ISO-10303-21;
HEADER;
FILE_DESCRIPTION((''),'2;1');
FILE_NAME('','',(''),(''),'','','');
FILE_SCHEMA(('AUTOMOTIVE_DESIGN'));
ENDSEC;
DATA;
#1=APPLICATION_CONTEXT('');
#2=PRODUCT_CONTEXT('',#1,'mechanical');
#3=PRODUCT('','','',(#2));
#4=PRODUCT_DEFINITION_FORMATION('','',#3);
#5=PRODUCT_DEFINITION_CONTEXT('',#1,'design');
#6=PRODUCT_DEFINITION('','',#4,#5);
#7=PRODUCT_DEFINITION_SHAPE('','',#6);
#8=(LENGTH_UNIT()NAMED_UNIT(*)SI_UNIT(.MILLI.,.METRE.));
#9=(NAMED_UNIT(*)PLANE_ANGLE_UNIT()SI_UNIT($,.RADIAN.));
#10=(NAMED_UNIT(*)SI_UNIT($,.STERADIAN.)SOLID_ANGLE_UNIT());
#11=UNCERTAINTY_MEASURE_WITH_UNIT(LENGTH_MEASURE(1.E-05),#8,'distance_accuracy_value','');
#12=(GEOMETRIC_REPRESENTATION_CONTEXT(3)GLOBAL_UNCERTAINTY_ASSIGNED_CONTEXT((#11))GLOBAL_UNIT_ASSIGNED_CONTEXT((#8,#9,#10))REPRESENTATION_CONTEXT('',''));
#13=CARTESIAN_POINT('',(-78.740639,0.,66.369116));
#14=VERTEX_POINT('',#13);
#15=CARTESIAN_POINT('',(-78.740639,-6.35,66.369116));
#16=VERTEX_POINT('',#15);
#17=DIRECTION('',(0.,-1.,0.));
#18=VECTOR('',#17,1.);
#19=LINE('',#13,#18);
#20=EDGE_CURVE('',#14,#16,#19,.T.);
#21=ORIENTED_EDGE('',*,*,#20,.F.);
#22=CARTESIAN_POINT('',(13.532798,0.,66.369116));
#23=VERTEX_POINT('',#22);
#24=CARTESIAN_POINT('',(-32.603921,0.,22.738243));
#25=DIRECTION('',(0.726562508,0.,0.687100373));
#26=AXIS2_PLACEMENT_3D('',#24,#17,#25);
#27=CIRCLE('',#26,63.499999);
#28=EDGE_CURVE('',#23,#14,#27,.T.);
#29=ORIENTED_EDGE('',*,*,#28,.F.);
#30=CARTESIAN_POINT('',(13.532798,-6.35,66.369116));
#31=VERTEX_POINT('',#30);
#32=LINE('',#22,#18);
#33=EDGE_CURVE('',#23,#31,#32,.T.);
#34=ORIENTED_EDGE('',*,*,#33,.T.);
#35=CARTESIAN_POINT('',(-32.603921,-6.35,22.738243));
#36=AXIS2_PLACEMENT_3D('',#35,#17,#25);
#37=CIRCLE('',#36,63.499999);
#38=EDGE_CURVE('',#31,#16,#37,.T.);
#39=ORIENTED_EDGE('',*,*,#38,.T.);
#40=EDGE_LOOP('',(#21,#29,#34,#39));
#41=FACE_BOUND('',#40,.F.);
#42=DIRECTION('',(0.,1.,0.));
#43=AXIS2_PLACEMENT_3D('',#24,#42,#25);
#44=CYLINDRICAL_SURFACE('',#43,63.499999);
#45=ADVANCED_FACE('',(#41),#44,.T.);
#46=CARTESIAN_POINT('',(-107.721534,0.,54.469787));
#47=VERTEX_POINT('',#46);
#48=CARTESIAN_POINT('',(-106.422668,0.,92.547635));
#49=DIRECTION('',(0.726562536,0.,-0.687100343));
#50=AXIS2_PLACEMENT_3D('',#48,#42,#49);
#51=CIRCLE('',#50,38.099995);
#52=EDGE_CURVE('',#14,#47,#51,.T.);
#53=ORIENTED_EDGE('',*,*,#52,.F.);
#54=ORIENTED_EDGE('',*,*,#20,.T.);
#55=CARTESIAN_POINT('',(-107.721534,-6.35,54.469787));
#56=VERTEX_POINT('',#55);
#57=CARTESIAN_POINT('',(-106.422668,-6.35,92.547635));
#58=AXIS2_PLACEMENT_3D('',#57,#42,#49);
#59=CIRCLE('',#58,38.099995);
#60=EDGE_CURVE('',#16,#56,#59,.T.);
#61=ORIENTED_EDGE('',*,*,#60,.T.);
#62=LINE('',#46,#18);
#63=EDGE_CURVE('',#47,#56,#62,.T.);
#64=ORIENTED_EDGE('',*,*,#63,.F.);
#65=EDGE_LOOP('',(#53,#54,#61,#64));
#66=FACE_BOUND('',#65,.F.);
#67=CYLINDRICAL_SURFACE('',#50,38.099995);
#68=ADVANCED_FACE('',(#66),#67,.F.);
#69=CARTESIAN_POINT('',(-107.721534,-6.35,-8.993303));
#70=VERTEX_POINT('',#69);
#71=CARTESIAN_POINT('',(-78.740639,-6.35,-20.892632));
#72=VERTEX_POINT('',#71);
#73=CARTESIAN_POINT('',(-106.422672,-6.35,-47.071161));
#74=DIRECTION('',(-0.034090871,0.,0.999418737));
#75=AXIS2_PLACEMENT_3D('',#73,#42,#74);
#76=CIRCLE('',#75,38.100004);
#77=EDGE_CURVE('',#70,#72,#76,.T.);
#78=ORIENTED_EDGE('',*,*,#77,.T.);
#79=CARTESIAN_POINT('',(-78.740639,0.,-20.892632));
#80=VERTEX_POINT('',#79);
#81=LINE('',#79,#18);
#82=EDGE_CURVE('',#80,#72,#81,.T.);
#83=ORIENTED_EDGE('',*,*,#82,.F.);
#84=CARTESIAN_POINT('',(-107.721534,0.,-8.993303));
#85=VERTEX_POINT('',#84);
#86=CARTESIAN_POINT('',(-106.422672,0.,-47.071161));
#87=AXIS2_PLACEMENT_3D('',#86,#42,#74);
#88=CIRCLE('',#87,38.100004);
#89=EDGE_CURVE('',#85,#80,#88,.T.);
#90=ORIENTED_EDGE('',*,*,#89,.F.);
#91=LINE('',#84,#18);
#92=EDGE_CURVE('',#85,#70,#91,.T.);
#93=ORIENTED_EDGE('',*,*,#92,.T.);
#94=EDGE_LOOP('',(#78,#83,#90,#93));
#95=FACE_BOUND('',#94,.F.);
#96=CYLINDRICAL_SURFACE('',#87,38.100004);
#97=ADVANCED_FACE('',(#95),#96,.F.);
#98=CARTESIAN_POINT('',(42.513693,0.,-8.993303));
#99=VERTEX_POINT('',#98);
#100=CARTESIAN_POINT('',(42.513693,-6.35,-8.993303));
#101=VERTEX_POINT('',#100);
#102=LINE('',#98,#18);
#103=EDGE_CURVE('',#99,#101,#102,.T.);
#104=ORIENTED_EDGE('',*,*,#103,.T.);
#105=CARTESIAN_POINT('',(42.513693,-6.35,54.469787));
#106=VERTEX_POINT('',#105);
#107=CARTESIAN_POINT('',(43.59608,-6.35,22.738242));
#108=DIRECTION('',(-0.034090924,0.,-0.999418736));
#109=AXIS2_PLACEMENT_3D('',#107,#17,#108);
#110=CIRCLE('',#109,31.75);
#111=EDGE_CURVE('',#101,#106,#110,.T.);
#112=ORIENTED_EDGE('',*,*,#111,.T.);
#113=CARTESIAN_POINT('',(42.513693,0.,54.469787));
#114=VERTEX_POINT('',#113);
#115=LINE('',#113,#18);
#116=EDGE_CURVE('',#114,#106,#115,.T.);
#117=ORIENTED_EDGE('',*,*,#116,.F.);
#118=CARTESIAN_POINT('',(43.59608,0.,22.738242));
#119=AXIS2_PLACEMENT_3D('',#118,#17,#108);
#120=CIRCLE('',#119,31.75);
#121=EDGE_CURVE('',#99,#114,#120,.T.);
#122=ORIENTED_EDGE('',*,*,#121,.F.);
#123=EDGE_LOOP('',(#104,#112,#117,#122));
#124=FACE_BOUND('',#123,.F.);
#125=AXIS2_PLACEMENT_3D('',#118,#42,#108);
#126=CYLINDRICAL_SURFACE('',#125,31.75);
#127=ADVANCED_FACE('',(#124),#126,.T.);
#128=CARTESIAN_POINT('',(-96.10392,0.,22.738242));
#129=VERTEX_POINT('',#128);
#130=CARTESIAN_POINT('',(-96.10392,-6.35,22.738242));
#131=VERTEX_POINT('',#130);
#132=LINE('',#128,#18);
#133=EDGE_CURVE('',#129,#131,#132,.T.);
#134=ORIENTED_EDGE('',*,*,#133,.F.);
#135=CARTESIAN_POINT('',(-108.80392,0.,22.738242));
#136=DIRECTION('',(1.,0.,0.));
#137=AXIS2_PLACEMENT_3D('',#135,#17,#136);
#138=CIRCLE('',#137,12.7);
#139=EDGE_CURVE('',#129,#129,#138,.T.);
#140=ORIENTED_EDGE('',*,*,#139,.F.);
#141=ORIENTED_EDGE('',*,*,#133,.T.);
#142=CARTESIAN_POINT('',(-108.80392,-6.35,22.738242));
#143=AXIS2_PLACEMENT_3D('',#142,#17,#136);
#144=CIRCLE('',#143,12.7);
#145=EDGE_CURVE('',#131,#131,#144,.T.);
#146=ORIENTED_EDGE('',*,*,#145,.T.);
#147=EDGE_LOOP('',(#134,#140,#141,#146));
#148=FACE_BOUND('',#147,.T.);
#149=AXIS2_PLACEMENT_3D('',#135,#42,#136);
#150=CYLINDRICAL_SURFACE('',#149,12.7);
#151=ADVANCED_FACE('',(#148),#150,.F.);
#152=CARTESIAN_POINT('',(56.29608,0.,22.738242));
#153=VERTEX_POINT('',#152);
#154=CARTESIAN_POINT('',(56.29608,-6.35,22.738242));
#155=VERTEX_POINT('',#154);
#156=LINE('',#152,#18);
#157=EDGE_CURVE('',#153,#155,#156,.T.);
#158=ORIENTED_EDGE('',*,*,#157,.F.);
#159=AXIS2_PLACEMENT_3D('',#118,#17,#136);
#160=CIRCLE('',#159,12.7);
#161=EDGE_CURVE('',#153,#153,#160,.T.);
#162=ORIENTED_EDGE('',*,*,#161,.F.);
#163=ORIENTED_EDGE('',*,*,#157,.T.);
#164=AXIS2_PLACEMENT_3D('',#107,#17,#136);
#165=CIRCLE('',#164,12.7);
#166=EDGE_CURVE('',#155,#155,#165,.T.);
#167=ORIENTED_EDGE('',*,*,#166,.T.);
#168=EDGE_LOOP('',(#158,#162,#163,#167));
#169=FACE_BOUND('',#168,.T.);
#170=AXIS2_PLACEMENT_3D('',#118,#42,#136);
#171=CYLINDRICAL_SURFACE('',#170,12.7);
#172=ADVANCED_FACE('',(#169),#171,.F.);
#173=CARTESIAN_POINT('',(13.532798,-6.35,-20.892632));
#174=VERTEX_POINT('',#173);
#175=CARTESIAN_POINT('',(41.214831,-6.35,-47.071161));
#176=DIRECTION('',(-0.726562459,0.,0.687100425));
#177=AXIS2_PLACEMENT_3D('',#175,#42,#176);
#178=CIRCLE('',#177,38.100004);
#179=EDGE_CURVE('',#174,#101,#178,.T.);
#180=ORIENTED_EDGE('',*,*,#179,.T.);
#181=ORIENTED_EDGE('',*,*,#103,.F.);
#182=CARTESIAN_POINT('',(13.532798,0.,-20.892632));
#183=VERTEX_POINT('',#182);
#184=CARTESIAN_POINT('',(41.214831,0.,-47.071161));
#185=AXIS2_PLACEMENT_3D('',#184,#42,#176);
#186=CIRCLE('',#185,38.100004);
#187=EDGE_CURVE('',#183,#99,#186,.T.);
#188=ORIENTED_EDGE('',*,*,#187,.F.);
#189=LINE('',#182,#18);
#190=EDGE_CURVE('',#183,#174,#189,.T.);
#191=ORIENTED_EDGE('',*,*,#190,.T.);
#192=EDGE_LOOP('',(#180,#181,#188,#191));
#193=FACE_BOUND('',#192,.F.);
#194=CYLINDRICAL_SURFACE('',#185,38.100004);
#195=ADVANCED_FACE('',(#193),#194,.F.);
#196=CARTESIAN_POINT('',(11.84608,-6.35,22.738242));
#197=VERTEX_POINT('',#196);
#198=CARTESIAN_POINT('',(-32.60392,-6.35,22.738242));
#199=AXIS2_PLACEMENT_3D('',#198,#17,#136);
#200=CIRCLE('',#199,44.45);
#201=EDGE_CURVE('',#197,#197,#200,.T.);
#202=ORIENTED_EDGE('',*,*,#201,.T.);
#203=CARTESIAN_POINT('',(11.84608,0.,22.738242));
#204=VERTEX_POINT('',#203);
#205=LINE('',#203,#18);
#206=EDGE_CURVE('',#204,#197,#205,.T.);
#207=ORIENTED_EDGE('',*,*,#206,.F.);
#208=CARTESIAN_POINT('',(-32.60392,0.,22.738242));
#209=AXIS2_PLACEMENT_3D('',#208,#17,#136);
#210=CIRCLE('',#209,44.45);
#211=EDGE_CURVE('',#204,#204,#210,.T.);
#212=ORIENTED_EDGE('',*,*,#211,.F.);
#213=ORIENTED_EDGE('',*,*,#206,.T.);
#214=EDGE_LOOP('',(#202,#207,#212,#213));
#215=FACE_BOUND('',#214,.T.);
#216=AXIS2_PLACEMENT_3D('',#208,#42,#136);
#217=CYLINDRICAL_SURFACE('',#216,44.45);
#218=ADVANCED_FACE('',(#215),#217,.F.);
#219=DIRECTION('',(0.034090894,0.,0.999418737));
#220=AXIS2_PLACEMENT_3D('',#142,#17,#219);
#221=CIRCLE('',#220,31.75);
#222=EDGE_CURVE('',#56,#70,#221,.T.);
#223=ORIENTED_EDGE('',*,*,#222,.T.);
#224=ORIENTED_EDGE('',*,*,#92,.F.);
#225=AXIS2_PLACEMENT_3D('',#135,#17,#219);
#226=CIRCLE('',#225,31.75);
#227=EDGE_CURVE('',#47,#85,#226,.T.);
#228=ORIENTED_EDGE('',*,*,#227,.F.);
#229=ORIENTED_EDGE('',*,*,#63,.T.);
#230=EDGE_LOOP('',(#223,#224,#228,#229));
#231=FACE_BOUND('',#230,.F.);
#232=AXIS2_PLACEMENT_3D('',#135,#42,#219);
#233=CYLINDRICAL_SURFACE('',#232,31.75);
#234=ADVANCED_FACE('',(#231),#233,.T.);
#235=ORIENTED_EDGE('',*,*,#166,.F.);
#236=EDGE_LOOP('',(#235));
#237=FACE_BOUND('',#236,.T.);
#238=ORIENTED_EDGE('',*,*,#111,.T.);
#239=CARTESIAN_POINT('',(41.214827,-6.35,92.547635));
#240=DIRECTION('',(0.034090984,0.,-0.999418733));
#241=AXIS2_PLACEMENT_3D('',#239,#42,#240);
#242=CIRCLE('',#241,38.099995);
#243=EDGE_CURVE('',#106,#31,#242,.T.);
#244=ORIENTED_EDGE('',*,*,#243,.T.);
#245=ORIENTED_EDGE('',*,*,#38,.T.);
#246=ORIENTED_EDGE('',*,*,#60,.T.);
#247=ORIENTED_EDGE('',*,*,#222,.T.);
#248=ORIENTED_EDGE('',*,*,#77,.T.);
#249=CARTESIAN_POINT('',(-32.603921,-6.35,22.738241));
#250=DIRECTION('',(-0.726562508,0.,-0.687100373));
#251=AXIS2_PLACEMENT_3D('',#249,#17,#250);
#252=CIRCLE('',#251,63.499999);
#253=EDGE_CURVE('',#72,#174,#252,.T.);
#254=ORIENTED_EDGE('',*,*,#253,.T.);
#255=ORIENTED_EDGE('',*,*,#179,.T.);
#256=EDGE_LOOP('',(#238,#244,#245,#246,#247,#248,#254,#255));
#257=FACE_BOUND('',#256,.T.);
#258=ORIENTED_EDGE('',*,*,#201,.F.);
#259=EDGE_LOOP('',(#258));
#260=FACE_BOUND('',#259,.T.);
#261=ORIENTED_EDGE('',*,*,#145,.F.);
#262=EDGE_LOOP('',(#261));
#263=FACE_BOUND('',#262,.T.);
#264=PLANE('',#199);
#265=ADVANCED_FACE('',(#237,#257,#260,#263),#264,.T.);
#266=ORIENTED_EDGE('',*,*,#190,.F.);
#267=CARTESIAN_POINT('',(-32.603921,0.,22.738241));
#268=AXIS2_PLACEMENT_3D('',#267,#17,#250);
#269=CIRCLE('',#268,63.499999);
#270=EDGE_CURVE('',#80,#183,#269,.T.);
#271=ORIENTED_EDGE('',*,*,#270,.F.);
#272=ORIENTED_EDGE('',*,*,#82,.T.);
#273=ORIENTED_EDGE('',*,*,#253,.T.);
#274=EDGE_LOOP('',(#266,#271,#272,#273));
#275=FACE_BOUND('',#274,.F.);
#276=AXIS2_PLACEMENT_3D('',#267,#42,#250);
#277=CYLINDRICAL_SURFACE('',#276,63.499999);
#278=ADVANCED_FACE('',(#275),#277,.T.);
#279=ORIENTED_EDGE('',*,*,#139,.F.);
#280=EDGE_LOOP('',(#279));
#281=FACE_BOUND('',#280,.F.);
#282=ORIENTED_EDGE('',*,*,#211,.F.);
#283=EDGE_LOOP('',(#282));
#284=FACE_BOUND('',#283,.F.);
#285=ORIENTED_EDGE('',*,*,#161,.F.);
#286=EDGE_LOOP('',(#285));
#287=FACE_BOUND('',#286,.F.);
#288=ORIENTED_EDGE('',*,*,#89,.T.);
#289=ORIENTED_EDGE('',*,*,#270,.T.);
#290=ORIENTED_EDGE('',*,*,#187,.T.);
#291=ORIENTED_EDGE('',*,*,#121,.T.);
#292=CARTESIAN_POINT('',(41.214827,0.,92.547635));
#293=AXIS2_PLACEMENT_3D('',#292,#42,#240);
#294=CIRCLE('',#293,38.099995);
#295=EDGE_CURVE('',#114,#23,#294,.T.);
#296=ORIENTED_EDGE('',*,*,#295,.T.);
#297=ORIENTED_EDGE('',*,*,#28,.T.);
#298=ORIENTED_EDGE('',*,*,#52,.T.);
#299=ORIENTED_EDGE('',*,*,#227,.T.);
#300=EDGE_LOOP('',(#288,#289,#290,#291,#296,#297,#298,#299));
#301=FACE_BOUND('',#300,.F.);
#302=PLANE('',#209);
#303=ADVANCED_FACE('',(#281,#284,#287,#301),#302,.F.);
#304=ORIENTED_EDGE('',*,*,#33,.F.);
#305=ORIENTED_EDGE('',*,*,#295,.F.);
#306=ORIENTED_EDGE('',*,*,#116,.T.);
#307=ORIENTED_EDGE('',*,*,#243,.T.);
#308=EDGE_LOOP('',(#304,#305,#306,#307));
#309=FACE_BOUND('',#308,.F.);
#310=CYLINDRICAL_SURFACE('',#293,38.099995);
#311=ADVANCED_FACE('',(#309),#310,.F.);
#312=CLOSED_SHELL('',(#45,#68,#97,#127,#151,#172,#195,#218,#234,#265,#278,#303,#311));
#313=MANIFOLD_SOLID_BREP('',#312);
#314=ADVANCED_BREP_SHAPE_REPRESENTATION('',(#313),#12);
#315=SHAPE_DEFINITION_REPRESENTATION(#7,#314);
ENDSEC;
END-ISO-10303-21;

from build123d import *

# Parameters (mm, degrees)
F0_R     = 12.7
F0_R_2   = 44.45
F1_DEPTH = 6.35


with BuildPart() as f1:
    # F0 (on Front) → F1 (new body)
    with BuildSketch(Plane.XZ):
        with BuildLine():
            ThreePointArc((-107.721534, -8.993303), (-91.951444, -11.82639), (-78.740639, -20.892632))
            ThreePointArc((-78.740639, -20.892632), (-32.60392, -40.761758), (13.532798, -20.892632))
            ThreePointArc((13.532798, -20.892632), (26.743603, -11.82639), (42.513693, -8.993303))
            ThreePointArc((42.513693, -8.993303), (75.34608, 22.738242), (42.513693, 54.469787))
            ThreePointArc((42.513693, 54.469787), (26.743603, 57.302873), (13.532798, 66.369116))
            ThreePointArc((13.532798, 66.369116), (-32.60392, 86.238242), (-78.740639, 66.369116))
            ThreePointArc((-78.740639, 66.369116), (-91.951444, 57.302873), (-107.721534, 54.469787))
            ThreePointArc((-107.721534, 54.469787), (-140.55392, 22.738242), (-107.721534, -8.993303))
        make_face()
        with Locations((-108.80392, 22.738242)):
            Circle(F0_R, mode=Mode.SUBTRACT)
        with Locations((-32.60392, 22.738242)):
            Circle(F0_R_2, mode=Mode.SUBTRACT)
        with Locations((43.59608, 22.738242)):
            Circle(F0_R, mode=Mode.SUBTRACT)
    extrude(amount=F1_DEPTH)


solid = f1.part
